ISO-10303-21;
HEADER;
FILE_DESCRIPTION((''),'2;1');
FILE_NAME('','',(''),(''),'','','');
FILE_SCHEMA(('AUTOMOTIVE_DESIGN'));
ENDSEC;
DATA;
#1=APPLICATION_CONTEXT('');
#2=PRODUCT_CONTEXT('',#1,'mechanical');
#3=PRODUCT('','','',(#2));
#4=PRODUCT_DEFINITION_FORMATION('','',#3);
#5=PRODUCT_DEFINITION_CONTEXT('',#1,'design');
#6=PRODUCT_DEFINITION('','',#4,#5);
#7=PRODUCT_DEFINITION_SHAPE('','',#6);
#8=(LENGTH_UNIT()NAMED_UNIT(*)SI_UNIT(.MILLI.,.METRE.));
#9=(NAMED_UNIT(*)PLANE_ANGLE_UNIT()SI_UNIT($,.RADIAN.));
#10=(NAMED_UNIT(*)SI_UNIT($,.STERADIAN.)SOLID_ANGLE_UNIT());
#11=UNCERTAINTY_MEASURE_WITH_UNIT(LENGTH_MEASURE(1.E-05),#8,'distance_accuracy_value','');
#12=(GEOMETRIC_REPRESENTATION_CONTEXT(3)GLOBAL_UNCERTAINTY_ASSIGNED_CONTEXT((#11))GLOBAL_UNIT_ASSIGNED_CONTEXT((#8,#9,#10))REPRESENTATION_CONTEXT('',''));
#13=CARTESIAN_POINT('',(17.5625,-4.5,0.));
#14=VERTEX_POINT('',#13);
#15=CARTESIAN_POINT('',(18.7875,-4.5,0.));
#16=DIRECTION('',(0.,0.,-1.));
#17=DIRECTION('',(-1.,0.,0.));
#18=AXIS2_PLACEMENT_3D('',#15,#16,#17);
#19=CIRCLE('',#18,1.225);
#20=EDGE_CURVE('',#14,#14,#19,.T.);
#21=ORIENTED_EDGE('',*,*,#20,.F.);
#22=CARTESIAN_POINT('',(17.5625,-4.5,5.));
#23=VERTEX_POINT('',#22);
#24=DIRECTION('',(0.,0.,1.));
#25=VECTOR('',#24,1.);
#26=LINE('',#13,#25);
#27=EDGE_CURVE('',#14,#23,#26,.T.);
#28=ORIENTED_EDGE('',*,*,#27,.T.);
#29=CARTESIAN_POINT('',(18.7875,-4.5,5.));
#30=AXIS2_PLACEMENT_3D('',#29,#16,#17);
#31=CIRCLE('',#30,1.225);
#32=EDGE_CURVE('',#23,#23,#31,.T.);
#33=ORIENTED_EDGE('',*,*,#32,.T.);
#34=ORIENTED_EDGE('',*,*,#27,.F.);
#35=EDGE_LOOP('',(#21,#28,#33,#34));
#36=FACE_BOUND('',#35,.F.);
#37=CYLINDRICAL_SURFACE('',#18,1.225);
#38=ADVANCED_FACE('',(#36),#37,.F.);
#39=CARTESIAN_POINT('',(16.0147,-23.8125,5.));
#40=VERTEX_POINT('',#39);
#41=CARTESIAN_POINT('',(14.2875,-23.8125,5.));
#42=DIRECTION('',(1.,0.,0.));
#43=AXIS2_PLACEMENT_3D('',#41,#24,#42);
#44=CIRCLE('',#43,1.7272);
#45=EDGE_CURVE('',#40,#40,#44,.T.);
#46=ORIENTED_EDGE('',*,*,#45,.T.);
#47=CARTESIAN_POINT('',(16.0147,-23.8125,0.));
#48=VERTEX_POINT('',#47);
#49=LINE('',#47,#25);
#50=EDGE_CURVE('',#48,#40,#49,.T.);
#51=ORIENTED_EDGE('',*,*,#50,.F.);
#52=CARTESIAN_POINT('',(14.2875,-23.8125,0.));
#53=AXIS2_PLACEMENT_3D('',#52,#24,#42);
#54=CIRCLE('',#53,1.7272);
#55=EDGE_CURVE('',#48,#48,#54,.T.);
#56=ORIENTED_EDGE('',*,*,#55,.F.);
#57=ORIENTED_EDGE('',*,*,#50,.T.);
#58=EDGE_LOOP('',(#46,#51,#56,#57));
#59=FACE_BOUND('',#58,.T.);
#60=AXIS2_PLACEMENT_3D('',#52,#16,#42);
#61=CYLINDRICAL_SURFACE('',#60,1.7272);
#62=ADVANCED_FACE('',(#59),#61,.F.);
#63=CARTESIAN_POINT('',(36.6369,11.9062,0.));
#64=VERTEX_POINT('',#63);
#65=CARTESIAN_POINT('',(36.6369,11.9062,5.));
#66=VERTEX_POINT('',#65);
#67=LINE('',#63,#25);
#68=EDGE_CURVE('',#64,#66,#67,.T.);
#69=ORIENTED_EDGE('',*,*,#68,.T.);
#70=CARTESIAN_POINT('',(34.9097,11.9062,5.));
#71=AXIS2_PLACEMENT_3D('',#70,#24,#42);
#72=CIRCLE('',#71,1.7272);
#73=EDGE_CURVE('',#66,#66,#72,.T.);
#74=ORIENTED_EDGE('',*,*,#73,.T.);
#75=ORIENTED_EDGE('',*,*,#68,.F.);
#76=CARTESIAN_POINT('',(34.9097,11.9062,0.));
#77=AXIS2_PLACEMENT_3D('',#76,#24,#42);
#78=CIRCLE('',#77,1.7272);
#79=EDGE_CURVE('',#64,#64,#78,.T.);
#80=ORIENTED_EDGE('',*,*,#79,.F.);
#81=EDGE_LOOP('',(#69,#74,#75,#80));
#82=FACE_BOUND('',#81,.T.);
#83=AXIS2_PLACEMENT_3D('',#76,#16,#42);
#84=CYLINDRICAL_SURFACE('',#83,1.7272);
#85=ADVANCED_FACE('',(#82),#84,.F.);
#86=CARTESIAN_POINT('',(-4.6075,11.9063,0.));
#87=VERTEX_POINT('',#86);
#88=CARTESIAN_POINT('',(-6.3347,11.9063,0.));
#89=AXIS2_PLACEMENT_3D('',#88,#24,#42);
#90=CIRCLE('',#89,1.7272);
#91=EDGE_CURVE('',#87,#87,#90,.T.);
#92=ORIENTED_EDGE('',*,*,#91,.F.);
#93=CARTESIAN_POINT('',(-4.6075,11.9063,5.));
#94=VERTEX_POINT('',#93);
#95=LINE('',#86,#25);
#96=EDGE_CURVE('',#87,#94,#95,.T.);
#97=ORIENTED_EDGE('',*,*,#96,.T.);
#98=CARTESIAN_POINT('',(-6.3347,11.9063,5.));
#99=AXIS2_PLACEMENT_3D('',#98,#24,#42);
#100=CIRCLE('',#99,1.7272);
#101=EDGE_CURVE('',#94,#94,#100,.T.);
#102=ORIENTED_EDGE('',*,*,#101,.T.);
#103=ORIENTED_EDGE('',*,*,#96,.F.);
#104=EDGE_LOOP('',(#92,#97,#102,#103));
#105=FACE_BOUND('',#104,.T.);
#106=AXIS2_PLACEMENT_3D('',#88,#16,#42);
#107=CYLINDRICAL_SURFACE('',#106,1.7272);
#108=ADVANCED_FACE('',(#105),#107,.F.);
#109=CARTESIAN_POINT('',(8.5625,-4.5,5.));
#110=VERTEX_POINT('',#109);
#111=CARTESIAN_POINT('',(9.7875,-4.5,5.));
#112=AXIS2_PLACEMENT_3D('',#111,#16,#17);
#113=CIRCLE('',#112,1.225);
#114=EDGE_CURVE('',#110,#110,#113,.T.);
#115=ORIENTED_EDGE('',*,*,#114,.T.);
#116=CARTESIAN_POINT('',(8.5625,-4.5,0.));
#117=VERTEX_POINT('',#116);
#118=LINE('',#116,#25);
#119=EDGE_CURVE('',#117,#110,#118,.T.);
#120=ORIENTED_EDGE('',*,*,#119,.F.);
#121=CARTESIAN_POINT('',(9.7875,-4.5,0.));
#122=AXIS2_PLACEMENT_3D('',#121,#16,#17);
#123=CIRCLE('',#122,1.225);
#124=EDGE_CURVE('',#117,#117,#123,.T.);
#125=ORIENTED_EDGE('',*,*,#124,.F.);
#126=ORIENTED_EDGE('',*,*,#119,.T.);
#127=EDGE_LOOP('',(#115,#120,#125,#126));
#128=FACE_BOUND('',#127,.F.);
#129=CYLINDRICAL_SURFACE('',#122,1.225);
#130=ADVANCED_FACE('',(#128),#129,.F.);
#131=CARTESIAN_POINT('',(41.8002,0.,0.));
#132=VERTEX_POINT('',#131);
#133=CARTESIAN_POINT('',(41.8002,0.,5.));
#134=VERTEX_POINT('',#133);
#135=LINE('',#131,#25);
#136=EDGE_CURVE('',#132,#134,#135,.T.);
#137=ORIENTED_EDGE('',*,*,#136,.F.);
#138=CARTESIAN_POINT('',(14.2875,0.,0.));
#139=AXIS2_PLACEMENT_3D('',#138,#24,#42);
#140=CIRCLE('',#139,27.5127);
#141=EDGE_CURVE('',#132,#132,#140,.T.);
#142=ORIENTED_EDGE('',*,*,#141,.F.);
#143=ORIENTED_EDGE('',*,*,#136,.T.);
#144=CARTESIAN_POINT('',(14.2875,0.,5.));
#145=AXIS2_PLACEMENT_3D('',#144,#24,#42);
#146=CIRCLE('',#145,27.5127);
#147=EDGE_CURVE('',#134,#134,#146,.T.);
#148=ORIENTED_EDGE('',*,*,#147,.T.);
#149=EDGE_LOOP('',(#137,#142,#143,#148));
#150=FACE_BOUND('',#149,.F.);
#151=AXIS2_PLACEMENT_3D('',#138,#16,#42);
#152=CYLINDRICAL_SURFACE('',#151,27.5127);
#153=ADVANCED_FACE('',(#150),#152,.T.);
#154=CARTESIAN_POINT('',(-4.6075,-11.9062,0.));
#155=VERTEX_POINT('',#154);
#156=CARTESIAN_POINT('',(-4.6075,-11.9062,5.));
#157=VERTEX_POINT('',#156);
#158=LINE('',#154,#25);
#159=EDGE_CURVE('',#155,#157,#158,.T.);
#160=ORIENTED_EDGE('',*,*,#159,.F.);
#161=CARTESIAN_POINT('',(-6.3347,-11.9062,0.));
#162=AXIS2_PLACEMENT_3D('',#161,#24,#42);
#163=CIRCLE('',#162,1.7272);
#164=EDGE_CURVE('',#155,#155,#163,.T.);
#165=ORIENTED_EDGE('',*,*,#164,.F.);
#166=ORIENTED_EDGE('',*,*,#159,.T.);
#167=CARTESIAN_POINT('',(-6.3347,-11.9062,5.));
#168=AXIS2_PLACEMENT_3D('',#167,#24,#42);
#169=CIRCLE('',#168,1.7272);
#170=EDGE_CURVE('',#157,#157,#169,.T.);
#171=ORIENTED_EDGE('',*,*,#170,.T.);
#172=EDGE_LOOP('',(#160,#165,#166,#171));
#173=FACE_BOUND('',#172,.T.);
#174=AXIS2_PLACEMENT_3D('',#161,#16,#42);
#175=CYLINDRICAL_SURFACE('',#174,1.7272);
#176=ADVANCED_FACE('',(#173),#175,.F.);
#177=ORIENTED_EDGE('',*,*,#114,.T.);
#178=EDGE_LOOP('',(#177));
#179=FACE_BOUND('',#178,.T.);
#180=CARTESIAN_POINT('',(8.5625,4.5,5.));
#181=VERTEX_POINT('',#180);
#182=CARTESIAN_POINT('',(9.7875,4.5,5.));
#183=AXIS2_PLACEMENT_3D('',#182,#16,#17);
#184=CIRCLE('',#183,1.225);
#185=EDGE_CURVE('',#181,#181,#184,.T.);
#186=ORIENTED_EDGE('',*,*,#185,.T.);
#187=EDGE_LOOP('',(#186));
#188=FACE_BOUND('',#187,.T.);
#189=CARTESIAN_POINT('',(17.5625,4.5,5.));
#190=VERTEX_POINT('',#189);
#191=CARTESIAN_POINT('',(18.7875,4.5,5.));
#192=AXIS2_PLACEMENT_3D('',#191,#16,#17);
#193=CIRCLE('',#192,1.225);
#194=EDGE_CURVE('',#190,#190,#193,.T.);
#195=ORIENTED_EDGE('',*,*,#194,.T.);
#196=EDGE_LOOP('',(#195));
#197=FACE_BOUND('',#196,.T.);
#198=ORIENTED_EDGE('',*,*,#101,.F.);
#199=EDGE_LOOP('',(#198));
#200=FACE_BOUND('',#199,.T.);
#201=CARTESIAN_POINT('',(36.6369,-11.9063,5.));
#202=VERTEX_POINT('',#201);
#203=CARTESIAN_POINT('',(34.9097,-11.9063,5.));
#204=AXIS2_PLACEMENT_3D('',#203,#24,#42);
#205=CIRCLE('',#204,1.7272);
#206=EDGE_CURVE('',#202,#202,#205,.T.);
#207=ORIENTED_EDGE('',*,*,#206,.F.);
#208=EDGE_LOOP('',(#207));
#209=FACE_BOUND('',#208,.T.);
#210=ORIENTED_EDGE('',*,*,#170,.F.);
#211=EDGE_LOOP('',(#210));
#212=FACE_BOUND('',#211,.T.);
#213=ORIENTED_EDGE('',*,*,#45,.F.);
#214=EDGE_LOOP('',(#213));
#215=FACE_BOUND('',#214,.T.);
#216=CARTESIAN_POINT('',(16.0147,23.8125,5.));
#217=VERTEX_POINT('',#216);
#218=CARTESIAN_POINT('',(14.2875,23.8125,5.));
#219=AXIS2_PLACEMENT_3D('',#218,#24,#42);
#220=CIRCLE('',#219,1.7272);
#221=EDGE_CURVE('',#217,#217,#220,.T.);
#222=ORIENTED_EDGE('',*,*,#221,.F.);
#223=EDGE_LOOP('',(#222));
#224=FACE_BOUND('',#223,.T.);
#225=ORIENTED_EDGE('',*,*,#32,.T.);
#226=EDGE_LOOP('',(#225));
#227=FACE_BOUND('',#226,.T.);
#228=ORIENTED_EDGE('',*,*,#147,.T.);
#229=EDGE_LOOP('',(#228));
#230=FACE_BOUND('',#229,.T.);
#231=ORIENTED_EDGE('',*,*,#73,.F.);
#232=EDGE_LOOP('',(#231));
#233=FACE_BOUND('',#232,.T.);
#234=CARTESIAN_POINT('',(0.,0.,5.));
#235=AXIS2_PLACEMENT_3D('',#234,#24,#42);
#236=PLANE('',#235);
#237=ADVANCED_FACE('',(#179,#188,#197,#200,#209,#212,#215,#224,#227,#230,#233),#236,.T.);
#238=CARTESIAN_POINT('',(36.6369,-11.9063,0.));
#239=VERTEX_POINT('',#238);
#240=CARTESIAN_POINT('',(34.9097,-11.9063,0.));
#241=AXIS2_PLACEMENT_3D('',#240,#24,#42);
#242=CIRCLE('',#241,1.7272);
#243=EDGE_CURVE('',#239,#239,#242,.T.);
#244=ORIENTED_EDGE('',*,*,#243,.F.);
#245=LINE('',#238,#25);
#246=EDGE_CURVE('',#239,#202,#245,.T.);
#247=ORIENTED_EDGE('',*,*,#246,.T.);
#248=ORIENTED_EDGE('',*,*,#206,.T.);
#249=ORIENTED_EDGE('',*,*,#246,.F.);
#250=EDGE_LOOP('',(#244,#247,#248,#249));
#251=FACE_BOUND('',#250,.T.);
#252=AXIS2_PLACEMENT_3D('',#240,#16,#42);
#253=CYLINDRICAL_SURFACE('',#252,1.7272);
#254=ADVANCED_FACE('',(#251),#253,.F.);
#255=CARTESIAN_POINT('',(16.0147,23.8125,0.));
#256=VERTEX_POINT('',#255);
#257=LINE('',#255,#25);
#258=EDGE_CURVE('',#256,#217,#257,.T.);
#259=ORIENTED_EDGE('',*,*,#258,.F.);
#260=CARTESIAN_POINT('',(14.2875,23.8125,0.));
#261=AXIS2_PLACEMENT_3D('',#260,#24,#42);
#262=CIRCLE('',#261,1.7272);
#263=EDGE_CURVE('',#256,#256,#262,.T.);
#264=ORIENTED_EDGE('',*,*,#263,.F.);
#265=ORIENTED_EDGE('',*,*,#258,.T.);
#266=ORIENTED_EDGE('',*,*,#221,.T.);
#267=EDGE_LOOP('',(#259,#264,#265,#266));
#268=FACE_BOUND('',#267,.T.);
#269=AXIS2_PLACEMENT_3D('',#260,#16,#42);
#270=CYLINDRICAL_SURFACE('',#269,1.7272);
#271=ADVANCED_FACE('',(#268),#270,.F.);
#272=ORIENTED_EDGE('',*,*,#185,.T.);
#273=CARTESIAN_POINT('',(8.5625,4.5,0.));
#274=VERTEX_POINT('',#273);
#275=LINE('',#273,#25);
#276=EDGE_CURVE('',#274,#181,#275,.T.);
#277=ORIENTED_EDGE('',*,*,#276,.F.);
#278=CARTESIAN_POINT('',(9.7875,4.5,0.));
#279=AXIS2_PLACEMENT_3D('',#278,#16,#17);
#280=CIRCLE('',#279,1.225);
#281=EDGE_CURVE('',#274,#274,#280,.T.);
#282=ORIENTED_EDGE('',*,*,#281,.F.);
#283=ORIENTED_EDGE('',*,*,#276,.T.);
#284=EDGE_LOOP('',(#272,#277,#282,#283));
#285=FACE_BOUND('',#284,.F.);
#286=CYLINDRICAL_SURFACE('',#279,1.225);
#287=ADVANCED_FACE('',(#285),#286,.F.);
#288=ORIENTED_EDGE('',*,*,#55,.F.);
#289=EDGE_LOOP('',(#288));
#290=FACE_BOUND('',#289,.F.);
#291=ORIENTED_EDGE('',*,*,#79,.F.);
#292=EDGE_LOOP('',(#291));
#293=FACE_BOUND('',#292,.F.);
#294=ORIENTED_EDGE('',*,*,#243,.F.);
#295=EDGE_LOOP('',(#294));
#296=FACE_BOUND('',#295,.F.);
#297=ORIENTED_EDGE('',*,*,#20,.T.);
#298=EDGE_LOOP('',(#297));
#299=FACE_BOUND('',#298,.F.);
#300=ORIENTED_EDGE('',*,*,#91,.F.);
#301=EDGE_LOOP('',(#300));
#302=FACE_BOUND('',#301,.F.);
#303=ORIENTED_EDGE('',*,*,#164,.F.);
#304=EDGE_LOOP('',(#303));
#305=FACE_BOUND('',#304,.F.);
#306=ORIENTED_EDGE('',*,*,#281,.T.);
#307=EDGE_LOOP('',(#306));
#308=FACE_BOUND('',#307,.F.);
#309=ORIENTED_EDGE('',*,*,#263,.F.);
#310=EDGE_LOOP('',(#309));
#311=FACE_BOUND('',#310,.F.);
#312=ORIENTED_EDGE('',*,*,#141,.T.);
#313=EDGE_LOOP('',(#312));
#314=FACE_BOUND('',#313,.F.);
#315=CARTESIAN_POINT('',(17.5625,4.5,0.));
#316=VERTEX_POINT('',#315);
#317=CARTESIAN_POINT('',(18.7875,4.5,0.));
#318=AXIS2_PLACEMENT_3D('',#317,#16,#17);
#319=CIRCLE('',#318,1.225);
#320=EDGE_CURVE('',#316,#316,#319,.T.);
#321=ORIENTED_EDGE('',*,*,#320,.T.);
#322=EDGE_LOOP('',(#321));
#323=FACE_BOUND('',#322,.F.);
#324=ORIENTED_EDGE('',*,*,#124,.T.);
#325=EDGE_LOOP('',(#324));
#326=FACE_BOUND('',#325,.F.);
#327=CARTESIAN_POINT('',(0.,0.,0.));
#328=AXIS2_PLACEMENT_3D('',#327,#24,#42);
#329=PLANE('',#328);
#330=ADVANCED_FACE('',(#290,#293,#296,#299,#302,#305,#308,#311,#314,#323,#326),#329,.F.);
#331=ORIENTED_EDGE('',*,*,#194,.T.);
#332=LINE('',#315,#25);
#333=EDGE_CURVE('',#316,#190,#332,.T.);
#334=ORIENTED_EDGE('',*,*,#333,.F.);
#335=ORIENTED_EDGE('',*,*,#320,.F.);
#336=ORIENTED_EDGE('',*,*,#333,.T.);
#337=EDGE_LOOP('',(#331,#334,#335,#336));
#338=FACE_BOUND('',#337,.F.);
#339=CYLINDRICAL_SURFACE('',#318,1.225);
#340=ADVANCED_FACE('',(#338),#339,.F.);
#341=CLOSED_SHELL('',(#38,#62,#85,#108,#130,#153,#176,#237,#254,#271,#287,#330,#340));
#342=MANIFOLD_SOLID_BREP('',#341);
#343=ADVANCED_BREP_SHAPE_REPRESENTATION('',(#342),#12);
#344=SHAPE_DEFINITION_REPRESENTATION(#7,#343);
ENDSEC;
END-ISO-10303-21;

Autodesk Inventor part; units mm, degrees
ref_plane "YZ Plane" through (0, 0, 0) normal (1, 0, 0) x (0, 1, 0)
ref_plane "XZ Plane" through (0, 0, 0) normal (0, 1, 0) x (-1, 0, 0)
ref_plane "XY Plane" through (0, 0, 0) normal (0, 0, 1) x (1, 0, 0)
sketch "Base" plane through (0, 0, 0) normal (0, 0, 1) x (1, 0, 0)
  circle A0 centre (14.2875, 0) radius 14.2875 construction
  circle A1 centre (34.9097, 11.9062) radius 1.9939 construction
  circle A2 centre (34.9097, -11.9063) radius 1.9939 construction
  circle A3 centre (14.2875, -23.8125) radius 1.9939 construction
  circle A4 centre (-6.3347, -11.9062) radius 1.9939 construction
  circle A5 centre (-6.3347, 11.9063) radius 1.9939 construction
  circle A6 centre (14.2875, 23.8125) radius 1.9939 construction
  circle A7 centre (14.2875, 0) radius 27.5127
  arc A8 (34.1709, -15.825) -> (37.934, -9.307) centre (34.9097, -11.9063) ccw construction
  circle A9 centre (-6.3347, 11.9063) radius 1.7272
  circle A10 centre (14.2875, 23.8125) radius 1.7272
  circle A11 centre (34.9097, 11.9062) radius 1.7272
  circle A12 centre (34.9097, -11.9063) radius 1.7272
  circle A13 centre (14.2875, -23.8125) radius 1.7272
  circle A14 centre (-6.3347, -11.9062) radius 1.7272
  point P0 (0, 0)
  dimension "d3" = 55.0254
  dimension "d10" = 3.4544
extrude "Plate1" add sketch "Base" along normal blind 5
sketch "WheelMagnetAlignmentFlangeMountHoles" plane through (14.2875, 0, 0) normal (0, 0, -1) x (-1, 0, 0)
  circle A0 centre (4.5, 4.5) radius 1.225 projected
  circle A1 centre (4.5, -4.5) radius 1.225 projected
  circle A2 centre (-4.5, -4.5) radius 1.225 projected
  circle A3 centre (-4.5, 4.5) radius 1.225 projected
  point P0 (14.2875, 0)
extrude "Cut1" cut sketch "WheelMagnetAlignmentFlangeMountHoles" against normal blind 5
equation "\"d45\" = Thickness"
equation "\"d44\" = Thickness"
equation "\"BendRadius\" = Thickness"
equation "\"BendReliefWidth\" = Thickness"
equation "\"BendReliefDepth\" = 0.5 * Thickness"
equation "\"TransitionRadius\" = BendRadius"
equation "\"JacobiRadiusSize\" = BendRadius"
equation "\"GapSize\" = Thickness"
equation "\"Thickness\" = 5"
properties part number "LegEncoderHub"
